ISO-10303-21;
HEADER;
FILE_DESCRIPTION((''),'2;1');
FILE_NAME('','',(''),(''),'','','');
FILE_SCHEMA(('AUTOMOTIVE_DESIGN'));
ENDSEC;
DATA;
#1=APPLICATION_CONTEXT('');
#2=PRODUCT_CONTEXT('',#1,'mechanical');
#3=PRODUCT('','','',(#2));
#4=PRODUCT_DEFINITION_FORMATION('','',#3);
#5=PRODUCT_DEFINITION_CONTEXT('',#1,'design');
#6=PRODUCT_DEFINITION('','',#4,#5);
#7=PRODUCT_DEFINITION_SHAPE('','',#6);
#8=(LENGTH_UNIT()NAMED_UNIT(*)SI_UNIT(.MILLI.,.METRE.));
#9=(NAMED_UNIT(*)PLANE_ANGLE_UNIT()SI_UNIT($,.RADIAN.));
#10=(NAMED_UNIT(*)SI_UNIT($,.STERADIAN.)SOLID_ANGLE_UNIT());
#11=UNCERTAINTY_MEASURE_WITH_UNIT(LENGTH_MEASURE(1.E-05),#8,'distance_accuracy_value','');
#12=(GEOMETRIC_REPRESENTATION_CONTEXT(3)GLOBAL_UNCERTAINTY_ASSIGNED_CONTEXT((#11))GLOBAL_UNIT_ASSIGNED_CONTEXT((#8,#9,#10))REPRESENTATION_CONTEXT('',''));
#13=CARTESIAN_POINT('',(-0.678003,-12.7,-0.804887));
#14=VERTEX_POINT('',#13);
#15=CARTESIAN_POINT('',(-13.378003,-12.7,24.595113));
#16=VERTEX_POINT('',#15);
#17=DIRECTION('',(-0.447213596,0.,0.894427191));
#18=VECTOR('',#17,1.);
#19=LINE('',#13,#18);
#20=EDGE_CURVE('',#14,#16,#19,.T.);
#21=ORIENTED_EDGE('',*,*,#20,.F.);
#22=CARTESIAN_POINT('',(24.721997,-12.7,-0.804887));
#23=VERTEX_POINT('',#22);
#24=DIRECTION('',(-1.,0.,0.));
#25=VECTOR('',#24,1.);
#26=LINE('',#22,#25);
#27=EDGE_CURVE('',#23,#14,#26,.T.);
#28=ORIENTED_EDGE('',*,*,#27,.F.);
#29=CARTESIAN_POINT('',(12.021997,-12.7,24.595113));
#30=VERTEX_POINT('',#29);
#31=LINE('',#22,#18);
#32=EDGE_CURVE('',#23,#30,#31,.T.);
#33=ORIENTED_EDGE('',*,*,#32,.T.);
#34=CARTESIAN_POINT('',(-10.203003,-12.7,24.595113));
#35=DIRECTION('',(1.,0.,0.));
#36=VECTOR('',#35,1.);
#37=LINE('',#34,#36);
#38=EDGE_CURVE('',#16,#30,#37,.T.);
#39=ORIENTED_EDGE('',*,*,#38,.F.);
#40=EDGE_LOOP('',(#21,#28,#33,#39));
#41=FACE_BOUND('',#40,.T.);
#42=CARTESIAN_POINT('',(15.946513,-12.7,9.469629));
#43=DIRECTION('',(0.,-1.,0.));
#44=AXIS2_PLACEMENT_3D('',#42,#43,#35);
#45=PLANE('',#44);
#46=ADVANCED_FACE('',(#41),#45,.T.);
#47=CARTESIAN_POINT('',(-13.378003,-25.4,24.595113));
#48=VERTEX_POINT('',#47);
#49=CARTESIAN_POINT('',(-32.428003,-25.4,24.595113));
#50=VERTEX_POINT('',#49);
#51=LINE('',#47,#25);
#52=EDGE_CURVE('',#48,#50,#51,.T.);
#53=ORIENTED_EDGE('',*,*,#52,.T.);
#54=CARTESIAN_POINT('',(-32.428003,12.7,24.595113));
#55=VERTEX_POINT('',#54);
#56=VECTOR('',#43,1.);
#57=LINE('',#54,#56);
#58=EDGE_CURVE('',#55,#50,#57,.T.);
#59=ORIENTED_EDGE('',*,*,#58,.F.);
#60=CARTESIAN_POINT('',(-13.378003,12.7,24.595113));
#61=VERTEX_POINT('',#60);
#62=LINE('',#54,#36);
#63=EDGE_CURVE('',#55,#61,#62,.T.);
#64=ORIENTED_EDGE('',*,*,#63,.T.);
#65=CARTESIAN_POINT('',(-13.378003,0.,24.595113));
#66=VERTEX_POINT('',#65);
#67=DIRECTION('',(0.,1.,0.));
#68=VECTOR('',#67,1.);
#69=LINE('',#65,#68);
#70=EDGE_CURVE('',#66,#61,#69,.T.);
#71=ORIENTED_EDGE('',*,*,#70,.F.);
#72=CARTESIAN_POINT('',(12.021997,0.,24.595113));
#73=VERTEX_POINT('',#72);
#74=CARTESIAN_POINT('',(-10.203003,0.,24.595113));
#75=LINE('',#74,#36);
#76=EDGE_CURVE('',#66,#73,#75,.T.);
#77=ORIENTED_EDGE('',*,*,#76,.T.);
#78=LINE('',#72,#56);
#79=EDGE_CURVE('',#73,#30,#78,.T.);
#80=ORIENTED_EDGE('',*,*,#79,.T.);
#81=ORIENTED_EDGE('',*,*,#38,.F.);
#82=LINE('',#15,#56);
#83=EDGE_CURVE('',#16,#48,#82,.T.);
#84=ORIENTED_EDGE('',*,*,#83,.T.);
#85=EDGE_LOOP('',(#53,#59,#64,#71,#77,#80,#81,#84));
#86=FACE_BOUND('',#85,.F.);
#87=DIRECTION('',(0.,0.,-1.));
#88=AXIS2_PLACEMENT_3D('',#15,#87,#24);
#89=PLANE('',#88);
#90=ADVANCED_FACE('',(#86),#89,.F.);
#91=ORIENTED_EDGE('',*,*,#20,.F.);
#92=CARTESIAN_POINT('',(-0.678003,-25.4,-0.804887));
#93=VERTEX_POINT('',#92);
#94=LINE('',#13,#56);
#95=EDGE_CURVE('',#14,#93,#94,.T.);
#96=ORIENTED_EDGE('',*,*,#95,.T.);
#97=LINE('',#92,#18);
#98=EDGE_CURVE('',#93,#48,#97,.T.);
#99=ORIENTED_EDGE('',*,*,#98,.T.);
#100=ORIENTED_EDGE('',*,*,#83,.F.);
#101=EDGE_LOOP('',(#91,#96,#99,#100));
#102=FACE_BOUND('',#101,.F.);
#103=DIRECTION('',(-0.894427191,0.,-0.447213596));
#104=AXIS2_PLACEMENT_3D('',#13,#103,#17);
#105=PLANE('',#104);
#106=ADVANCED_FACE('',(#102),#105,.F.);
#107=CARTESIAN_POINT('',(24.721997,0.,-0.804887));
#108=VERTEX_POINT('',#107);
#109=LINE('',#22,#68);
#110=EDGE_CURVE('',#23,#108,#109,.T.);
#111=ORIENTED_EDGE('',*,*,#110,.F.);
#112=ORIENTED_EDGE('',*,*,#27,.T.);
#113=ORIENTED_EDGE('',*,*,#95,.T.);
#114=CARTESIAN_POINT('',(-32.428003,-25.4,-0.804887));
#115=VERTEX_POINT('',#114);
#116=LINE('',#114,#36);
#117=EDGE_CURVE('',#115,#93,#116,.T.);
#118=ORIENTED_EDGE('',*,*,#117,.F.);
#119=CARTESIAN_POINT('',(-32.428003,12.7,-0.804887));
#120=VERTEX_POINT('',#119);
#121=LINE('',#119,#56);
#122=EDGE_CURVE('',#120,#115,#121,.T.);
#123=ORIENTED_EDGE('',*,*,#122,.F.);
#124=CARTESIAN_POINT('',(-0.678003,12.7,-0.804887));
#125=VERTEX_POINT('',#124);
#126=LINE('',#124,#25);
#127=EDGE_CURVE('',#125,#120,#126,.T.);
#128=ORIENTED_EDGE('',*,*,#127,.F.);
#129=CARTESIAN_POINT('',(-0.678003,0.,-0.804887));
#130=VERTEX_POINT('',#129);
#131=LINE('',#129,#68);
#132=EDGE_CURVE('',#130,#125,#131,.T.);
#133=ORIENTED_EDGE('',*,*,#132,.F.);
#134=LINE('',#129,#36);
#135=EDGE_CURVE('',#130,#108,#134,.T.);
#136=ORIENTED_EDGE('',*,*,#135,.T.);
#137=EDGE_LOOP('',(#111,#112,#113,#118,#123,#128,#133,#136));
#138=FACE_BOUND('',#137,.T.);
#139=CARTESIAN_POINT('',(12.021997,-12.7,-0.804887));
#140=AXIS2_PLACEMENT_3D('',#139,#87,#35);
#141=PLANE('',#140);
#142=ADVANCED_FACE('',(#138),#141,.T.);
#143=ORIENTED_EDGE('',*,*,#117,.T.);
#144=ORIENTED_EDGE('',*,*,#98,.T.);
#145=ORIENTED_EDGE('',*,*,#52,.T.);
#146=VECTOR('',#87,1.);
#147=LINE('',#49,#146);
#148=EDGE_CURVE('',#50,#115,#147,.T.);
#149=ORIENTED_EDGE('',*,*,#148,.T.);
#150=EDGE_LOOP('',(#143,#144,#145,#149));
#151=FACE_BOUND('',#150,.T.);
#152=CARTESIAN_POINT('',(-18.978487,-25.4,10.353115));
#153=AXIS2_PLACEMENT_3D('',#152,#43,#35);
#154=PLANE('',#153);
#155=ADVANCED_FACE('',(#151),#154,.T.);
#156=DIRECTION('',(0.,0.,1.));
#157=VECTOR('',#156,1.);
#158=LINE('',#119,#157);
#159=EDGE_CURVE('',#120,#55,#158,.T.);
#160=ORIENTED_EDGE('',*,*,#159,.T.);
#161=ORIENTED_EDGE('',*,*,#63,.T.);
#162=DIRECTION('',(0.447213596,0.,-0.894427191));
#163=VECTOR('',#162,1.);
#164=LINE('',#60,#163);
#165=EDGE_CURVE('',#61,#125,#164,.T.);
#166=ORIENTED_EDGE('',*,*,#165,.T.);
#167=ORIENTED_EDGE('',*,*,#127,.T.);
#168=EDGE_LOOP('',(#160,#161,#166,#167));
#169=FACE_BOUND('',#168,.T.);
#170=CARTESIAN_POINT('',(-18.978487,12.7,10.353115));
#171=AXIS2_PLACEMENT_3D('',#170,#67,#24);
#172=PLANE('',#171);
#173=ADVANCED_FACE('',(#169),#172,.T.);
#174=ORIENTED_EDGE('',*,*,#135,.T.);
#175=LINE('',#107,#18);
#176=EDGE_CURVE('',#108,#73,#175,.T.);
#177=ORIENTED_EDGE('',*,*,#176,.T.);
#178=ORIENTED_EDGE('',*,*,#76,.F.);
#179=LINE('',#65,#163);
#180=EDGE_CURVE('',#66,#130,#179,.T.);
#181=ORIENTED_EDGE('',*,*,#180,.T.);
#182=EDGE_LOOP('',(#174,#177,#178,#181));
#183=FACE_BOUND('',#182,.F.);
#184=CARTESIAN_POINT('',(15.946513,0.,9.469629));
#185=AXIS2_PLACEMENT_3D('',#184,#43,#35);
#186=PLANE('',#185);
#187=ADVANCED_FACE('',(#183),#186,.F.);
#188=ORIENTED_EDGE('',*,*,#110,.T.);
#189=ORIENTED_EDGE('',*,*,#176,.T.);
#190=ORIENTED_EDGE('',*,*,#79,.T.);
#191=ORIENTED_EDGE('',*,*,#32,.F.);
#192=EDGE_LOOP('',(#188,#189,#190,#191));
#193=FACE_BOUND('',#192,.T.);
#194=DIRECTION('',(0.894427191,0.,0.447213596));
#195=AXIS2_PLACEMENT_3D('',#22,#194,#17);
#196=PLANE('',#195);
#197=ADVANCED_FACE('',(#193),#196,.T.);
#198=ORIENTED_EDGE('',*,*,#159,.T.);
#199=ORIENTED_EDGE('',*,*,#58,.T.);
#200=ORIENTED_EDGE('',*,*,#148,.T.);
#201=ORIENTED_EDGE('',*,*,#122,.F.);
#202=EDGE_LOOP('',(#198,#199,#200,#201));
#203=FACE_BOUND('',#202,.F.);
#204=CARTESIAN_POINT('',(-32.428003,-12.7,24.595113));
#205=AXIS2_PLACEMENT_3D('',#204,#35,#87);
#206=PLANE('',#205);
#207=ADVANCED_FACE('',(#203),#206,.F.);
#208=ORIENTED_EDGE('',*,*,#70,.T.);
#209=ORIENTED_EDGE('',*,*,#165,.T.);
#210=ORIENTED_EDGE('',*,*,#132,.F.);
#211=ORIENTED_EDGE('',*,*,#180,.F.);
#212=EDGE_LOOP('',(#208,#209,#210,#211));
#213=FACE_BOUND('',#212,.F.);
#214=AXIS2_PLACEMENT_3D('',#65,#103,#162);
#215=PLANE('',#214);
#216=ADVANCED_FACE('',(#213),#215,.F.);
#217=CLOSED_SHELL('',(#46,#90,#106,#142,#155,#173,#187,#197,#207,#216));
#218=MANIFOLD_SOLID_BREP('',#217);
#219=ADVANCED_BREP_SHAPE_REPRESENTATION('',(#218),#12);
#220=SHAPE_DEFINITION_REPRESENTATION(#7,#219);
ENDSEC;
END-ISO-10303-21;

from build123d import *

# Parameters (mm, degrees)
F0_W     = 44.45
F0_H     = 25.4
F1_DEPTH = 12.7
F4_DEPTH = 12.7
F5_DEPTH = 12.7
F7_DEPTH = 12.7


with BuildPart() as f1:
    # F0 (on Front) → F1 (new body)
    with BuildSketch(Plane.XZ):
        with Locations((-10.203003, 11.895113)):
            Rectangle(F0_W, F0_H)
    extrude(amount=F1_DEPTH)

    # F3 (on face) → F4 (join)
    with BuildSketch(Plane(origin=(0, 0, 0), x_dir=(-1, 0, 0), z_dir=(0, 1, 0))):
        Polygon((32.428003, -0.804887), (32.428003, 24.595113), (13.378003, 24.595113), (0.678003, -0.804887), align=None)
    extrude(amount=F4_DEPTH)

    # F2 (on face) → F5 (join)
    with BuildSketch(Plane.XZ.offset(12.7)):
        Polygon((-13.378003, 24.595113), (-32.428003, 24.595113), (-32.428003, -0.804887), (-0.678003, -0.804887), align=None)
    extrude(amount=F5_DEPTH)

    # F6 (on face) → F7 (join)
    with BuildSketch(Plane.XZ.offset(12.7)):
        Polygon((24.721997, -0.804887), (12.021997, 24.595113), (12.021997, -0.804887), align=None)
    extrude(amount=-F7_DEPTH)


solid = f1.part
